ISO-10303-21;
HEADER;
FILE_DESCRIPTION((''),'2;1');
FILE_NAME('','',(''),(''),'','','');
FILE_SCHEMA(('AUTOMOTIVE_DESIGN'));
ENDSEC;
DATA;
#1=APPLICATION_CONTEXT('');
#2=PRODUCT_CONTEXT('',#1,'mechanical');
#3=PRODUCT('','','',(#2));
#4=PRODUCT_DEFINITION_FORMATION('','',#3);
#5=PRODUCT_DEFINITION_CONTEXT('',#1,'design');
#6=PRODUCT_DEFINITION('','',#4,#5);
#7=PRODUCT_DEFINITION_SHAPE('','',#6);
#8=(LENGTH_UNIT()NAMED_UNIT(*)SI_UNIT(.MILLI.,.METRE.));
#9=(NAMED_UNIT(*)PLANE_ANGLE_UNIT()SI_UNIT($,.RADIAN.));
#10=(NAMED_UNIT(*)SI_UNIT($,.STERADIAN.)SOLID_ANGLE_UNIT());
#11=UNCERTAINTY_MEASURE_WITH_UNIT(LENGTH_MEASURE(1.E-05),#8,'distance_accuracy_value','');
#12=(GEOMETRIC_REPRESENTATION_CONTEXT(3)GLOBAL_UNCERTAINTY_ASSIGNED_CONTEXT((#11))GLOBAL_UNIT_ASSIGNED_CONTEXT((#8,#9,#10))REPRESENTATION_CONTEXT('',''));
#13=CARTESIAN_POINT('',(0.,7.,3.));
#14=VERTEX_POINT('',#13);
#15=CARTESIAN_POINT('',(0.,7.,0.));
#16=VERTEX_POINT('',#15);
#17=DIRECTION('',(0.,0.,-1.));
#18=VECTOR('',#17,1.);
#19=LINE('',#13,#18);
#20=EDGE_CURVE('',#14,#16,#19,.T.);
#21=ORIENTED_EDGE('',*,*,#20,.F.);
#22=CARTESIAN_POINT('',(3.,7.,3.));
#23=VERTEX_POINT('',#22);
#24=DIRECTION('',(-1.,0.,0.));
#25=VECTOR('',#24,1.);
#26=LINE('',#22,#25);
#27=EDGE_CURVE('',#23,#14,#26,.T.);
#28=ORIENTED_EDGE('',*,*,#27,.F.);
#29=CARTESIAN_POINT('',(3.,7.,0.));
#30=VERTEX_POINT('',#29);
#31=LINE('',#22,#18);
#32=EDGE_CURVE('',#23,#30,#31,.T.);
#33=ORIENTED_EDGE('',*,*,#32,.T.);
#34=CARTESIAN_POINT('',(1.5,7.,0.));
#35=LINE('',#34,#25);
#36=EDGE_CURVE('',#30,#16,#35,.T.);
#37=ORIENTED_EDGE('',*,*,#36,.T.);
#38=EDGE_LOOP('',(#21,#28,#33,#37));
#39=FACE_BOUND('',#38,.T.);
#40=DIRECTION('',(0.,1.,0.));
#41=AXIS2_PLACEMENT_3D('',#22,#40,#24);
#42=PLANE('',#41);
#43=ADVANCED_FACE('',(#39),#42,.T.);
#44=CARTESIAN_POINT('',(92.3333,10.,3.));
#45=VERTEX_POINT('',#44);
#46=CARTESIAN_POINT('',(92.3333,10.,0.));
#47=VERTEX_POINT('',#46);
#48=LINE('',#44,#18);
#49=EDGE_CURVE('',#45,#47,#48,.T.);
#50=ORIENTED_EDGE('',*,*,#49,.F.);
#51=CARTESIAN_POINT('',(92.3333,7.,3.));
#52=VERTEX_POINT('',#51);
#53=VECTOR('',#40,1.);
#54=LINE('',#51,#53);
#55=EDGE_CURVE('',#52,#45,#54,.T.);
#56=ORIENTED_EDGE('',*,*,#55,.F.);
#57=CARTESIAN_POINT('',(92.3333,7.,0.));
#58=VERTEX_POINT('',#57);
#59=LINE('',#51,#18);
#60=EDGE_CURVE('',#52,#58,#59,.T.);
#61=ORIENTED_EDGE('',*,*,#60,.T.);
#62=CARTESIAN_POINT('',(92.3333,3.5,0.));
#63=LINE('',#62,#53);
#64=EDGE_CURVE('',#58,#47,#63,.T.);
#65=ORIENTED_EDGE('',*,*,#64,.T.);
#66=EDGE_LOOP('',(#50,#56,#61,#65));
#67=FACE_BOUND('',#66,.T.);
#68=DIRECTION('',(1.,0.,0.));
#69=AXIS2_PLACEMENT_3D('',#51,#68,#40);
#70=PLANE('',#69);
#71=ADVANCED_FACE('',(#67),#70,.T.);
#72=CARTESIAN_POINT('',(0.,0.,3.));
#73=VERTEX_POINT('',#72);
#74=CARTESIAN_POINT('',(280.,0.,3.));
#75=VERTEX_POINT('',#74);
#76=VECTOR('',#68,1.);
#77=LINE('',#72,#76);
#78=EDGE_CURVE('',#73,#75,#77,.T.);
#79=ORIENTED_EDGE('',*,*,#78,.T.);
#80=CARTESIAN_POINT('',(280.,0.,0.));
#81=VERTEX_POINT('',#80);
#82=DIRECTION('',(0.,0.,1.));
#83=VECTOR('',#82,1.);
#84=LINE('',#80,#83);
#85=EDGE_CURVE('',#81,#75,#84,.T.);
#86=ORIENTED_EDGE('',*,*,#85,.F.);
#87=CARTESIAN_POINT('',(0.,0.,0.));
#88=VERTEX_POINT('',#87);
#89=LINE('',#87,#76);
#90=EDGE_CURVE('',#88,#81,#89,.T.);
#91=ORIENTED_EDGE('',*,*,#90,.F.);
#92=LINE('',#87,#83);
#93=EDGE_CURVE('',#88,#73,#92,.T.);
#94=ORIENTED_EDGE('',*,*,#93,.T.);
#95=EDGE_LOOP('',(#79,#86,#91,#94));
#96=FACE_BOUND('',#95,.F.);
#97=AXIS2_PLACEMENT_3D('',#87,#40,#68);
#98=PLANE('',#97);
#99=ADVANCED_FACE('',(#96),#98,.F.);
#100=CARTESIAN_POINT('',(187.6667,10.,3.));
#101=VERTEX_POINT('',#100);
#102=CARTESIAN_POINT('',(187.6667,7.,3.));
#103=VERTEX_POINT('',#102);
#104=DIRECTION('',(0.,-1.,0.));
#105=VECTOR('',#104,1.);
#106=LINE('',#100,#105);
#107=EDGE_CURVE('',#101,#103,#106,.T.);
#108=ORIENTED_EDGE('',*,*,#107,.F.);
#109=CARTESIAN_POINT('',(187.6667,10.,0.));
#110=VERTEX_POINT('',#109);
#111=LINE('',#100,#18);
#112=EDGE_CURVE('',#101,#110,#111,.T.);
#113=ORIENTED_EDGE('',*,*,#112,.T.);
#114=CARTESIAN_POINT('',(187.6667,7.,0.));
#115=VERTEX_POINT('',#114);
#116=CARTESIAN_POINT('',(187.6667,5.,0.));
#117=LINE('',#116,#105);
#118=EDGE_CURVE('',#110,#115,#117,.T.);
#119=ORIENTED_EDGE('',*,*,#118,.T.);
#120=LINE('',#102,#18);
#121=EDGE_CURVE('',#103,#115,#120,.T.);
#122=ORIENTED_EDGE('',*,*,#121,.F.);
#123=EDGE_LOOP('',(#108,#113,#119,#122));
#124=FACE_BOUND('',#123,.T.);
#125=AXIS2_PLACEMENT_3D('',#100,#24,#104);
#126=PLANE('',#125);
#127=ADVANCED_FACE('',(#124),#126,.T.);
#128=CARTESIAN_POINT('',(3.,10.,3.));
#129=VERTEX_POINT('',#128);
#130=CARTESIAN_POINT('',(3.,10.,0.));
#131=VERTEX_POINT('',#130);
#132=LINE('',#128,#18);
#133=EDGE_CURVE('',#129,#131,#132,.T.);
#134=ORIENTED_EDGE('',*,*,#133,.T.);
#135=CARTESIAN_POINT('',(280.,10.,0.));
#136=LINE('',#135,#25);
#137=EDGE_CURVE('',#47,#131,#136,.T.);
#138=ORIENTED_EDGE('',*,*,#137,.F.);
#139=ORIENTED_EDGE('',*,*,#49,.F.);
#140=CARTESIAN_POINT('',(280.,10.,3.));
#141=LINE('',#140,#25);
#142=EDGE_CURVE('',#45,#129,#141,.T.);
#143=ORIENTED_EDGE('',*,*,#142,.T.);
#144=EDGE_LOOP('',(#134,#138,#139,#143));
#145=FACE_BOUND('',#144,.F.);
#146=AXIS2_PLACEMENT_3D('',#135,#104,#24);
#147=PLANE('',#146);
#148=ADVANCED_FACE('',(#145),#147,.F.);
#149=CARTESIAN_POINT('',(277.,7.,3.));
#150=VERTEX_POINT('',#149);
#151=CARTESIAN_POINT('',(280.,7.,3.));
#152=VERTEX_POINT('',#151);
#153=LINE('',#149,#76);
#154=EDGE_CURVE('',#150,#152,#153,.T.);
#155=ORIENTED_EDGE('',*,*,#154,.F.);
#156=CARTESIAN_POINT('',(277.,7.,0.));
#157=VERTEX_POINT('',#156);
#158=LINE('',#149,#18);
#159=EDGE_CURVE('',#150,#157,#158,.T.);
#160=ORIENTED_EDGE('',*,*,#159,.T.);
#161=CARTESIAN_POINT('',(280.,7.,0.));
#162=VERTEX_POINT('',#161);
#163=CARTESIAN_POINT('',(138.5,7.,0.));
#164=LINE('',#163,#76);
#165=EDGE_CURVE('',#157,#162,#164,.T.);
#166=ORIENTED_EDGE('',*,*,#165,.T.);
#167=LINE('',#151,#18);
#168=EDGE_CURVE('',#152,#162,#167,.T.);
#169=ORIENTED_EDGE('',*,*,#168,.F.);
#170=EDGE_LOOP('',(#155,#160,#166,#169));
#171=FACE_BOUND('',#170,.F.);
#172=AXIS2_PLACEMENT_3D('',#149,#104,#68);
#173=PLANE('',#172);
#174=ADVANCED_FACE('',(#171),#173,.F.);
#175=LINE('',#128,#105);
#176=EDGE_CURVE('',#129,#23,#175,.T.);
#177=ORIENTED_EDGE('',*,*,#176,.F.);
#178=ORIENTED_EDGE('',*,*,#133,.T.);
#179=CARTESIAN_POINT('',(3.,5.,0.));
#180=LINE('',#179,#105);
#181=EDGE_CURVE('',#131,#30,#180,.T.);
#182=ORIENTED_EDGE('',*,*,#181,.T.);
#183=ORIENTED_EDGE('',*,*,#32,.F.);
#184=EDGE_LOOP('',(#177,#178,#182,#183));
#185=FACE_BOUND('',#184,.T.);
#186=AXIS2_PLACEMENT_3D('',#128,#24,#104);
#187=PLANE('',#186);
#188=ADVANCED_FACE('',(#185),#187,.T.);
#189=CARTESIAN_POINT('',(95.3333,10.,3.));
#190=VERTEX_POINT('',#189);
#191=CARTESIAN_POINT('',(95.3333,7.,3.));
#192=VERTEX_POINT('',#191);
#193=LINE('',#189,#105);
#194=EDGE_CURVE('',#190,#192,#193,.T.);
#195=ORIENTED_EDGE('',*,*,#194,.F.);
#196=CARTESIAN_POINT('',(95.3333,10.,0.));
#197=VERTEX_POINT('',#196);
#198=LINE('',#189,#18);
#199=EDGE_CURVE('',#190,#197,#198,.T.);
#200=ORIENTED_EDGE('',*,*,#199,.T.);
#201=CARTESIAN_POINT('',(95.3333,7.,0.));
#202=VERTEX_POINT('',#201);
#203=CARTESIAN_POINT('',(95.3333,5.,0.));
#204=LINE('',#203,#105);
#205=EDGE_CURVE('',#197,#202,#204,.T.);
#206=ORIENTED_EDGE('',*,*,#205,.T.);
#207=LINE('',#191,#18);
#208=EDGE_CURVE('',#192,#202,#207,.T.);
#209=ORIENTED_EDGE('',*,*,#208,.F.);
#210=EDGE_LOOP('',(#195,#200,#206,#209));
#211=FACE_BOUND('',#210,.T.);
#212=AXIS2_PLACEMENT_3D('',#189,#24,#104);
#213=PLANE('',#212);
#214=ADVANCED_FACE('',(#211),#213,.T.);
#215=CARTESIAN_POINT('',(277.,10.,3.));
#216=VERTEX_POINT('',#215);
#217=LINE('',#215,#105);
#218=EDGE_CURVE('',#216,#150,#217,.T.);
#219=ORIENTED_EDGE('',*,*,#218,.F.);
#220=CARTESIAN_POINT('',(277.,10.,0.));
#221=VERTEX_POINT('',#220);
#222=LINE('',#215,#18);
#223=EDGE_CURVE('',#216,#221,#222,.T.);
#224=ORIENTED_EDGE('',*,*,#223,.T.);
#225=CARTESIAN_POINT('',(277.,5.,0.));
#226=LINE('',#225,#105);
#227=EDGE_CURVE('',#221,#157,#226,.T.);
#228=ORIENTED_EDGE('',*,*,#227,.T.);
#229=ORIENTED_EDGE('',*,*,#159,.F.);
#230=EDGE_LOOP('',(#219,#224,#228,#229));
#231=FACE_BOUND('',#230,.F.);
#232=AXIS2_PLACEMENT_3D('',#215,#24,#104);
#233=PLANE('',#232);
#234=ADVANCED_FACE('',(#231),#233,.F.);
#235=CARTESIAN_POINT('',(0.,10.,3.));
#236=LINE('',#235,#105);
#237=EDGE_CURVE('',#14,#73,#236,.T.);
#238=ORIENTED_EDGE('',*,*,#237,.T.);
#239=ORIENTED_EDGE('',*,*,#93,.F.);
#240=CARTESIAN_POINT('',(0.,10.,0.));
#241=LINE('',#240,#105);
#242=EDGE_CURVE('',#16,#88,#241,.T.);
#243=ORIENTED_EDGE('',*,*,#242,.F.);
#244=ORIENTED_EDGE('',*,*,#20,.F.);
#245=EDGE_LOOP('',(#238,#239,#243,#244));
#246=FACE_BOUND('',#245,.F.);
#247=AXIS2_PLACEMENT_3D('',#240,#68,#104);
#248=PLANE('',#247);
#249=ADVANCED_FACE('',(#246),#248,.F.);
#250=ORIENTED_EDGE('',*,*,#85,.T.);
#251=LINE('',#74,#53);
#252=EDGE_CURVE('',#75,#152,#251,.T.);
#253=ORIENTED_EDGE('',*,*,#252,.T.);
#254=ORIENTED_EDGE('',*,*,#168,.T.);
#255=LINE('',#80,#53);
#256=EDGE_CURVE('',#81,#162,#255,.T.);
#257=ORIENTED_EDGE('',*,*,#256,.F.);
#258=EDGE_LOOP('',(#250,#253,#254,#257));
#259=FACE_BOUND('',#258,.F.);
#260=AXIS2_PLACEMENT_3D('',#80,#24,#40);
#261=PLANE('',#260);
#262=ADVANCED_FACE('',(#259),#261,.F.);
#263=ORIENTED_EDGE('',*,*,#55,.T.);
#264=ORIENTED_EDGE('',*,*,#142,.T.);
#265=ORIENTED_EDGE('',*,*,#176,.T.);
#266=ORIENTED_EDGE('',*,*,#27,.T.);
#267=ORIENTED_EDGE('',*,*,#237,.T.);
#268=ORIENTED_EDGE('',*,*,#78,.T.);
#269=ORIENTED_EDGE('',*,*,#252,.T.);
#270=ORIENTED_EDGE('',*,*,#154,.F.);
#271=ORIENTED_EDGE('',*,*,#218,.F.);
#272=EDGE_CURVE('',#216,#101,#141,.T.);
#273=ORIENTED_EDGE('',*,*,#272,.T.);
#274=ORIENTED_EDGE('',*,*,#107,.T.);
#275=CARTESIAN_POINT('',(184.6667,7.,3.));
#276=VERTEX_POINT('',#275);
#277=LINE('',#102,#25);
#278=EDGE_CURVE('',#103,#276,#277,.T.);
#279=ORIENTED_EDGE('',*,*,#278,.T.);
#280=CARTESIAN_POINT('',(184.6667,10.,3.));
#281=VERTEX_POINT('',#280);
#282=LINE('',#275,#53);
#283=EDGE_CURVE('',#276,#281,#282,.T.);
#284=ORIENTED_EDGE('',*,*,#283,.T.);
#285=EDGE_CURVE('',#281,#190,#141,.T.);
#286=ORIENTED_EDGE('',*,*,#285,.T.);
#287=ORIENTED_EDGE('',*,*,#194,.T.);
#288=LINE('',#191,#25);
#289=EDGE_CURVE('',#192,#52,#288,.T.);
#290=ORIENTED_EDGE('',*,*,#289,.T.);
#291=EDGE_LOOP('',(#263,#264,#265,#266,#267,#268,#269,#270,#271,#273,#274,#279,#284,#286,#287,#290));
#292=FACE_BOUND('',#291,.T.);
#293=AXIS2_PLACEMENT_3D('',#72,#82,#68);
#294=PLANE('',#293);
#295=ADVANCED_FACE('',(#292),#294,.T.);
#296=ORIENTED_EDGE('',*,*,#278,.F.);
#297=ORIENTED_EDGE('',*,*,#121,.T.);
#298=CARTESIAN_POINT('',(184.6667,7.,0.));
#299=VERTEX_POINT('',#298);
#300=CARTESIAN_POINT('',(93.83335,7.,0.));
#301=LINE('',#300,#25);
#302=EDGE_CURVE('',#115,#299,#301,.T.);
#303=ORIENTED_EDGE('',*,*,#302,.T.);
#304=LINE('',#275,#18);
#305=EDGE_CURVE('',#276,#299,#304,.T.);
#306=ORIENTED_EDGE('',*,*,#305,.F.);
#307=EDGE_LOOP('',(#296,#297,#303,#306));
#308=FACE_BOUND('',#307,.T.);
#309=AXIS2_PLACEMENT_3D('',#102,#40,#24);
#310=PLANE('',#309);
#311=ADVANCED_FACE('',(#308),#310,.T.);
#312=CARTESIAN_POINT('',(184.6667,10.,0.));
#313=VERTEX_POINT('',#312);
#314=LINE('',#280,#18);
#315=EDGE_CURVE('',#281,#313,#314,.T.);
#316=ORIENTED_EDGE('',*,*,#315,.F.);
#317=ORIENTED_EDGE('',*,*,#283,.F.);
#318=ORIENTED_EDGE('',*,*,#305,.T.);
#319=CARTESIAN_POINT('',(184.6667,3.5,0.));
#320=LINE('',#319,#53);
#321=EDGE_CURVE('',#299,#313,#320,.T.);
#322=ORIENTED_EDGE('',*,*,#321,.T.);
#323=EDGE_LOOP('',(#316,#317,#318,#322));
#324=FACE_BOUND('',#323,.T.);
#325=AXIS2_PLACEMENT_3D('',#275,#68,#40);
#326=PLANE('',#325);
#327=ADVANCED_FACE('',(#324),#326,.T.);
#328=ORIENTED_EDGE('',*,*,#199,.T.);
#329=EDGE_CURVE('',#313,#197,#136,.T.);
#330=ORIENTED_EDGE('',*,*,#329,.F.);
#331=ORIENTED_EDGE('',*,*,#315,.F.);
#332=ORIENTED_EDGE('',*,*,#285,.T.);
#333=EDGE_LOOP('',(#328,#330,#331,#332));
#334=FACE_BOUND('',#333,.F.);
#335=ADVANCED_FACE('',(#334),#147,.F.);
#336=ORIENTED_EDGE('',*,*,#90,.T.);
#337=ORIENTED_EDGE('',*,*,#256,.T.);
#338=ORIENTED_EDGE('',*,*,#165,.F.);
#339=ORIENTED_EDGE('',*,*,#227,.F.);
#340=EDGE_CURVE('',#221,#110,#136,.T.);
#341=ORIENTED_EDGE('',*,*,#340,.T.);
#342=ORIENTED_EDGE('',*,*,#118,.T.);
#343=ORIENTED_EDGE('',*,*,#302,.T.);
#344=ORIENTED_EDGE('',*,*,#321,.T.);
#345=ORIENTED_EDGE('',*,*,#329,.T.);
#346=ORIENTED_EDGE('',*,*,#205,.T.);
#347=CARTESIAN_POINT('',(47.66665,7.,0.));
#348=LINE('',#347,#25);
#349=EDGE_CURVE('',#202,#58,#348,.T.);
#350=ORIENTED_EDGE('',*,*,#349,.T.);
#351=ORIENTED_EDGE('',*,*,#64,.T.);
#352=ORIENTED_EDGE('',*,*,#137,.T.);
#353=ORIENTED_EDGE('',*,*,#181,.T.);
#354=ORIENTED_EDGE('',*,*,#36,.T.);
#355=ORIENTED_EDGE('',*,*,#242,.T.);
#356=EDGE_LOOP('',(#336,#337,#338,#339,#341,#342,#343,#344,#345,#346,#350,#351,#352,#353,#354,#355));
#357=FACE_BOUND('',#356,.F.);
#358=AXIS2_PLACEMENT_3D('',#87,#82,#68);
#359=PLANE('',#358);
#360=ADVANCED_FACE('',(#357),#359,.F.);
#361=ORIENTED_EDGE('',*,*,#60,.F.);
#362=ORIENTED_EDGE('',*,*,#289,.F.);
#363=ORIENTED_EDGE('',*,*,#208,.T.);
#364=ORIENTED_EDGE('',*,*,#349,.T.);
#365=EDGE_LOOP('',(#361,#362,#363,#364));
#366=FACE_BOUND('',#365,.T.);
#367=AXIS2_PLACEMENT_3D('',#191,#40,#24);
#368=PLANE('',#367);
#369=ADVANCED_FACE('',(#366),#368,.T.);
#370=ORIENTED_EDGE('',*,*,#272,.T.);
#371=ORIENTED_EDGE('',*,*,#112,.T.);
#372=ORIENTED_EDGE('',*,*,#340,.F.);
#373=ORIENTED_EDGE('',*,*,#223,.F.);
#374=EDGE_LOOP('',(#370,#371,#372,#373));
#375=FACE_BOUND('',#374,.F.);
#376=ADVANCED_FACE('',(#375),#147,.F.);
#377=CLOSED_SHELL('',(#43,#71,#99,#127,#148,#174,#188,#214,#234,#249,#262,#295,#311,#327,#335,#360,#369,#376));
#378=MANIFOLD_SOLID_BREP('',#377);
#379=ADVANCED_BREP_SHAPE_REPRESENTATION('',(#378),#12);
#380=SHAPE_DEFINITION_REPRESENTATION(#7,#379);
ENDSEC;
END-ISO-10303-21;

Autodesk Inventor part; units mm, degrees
ref_plane "YZ Plane" through (0, 0, 0) normal (1, 0, 0) x (0, 1, 0)
ref_plane "XZ Plane" through (0, 0, 0) normal (0, 1, 0) x (-1, 0, 0)
ref_plane "XY Plane" through (0, 0, 0) normal (0, 0, 1) x (1, 0, 0)
sketch "草圖1" plane through (0, 0, 0) normal (0, 0, 1) x (1, 0, 0)
  line L0 (0, 0) -> (280, 0)
  line L1 (280, 0) -> (280, 10)
  line L2 (280, 10) -> (0, 10)
  line L3 (0, 10) -> (0, 0)
  dimension "d0" = 10
  dimension "d1" = 280
extrude "擠出1" add sketch "草圖1" along normal blind 3
sketch "草圖2" plane through (0, 0, 3) normal (0, 0, 1) x (1, 0, 0)
  line L0 (280, 0) -> (280, 10) projected
  line L1 (280, 10) -> (0, 10) projected
  line L2 (0, 10) -> (0, 0) projected
  line L3 (0, 0) -> (280, 0) projected
  line L4 (0, 10) -> (3, 10)
  line L5 (3, 10) -> (3, 7)
  line L6 (3, 7) -> (0, 7)
  line L7 (0, 7) -> (0, 10)
  line L8 (92.3333, 10) -> (95.3333, 10)
  line L9 (95.3333, 10) -> (95.3333, 7)
  line L10 (95.3333, 7) -> (92.3333, 7)
  line L11 (92.3333, 7) -> (92.3333, 10)
  line L12 (280, 10) -> (277, 10)
  line L13 (277, 10) -> (277, 7)
  line L14 (277, 7) -> (280, 7)
  line L15 (280, 7) -> (280, 10)
  line L16 (184.6667, 10) -> (187.6667, 10)
  line L17 (187.6667, 10) -> (187.6667, 7)
  line L18 (187.6667, 7) -> (184.6667, 7)
  line L19 (184.6667, 7) -> (184.6667, 10)
  point P0 (0, 7)
  dimension "d4" = 3
  dimension "d6" = 89.3333
  dimension "d7" = 89.3333
  dimension "d8" = 7
  dimension "d9" = 10
extrude "擠出2" cut sketch "草圖2" against normal through all contours L14 L13 L1 L0 | L2 L1 L5 L6 | L17 L18 L19 L1 | L1 L9 L10 L11
equation "\"d7\" = d6"
properties part number "支撐架"
